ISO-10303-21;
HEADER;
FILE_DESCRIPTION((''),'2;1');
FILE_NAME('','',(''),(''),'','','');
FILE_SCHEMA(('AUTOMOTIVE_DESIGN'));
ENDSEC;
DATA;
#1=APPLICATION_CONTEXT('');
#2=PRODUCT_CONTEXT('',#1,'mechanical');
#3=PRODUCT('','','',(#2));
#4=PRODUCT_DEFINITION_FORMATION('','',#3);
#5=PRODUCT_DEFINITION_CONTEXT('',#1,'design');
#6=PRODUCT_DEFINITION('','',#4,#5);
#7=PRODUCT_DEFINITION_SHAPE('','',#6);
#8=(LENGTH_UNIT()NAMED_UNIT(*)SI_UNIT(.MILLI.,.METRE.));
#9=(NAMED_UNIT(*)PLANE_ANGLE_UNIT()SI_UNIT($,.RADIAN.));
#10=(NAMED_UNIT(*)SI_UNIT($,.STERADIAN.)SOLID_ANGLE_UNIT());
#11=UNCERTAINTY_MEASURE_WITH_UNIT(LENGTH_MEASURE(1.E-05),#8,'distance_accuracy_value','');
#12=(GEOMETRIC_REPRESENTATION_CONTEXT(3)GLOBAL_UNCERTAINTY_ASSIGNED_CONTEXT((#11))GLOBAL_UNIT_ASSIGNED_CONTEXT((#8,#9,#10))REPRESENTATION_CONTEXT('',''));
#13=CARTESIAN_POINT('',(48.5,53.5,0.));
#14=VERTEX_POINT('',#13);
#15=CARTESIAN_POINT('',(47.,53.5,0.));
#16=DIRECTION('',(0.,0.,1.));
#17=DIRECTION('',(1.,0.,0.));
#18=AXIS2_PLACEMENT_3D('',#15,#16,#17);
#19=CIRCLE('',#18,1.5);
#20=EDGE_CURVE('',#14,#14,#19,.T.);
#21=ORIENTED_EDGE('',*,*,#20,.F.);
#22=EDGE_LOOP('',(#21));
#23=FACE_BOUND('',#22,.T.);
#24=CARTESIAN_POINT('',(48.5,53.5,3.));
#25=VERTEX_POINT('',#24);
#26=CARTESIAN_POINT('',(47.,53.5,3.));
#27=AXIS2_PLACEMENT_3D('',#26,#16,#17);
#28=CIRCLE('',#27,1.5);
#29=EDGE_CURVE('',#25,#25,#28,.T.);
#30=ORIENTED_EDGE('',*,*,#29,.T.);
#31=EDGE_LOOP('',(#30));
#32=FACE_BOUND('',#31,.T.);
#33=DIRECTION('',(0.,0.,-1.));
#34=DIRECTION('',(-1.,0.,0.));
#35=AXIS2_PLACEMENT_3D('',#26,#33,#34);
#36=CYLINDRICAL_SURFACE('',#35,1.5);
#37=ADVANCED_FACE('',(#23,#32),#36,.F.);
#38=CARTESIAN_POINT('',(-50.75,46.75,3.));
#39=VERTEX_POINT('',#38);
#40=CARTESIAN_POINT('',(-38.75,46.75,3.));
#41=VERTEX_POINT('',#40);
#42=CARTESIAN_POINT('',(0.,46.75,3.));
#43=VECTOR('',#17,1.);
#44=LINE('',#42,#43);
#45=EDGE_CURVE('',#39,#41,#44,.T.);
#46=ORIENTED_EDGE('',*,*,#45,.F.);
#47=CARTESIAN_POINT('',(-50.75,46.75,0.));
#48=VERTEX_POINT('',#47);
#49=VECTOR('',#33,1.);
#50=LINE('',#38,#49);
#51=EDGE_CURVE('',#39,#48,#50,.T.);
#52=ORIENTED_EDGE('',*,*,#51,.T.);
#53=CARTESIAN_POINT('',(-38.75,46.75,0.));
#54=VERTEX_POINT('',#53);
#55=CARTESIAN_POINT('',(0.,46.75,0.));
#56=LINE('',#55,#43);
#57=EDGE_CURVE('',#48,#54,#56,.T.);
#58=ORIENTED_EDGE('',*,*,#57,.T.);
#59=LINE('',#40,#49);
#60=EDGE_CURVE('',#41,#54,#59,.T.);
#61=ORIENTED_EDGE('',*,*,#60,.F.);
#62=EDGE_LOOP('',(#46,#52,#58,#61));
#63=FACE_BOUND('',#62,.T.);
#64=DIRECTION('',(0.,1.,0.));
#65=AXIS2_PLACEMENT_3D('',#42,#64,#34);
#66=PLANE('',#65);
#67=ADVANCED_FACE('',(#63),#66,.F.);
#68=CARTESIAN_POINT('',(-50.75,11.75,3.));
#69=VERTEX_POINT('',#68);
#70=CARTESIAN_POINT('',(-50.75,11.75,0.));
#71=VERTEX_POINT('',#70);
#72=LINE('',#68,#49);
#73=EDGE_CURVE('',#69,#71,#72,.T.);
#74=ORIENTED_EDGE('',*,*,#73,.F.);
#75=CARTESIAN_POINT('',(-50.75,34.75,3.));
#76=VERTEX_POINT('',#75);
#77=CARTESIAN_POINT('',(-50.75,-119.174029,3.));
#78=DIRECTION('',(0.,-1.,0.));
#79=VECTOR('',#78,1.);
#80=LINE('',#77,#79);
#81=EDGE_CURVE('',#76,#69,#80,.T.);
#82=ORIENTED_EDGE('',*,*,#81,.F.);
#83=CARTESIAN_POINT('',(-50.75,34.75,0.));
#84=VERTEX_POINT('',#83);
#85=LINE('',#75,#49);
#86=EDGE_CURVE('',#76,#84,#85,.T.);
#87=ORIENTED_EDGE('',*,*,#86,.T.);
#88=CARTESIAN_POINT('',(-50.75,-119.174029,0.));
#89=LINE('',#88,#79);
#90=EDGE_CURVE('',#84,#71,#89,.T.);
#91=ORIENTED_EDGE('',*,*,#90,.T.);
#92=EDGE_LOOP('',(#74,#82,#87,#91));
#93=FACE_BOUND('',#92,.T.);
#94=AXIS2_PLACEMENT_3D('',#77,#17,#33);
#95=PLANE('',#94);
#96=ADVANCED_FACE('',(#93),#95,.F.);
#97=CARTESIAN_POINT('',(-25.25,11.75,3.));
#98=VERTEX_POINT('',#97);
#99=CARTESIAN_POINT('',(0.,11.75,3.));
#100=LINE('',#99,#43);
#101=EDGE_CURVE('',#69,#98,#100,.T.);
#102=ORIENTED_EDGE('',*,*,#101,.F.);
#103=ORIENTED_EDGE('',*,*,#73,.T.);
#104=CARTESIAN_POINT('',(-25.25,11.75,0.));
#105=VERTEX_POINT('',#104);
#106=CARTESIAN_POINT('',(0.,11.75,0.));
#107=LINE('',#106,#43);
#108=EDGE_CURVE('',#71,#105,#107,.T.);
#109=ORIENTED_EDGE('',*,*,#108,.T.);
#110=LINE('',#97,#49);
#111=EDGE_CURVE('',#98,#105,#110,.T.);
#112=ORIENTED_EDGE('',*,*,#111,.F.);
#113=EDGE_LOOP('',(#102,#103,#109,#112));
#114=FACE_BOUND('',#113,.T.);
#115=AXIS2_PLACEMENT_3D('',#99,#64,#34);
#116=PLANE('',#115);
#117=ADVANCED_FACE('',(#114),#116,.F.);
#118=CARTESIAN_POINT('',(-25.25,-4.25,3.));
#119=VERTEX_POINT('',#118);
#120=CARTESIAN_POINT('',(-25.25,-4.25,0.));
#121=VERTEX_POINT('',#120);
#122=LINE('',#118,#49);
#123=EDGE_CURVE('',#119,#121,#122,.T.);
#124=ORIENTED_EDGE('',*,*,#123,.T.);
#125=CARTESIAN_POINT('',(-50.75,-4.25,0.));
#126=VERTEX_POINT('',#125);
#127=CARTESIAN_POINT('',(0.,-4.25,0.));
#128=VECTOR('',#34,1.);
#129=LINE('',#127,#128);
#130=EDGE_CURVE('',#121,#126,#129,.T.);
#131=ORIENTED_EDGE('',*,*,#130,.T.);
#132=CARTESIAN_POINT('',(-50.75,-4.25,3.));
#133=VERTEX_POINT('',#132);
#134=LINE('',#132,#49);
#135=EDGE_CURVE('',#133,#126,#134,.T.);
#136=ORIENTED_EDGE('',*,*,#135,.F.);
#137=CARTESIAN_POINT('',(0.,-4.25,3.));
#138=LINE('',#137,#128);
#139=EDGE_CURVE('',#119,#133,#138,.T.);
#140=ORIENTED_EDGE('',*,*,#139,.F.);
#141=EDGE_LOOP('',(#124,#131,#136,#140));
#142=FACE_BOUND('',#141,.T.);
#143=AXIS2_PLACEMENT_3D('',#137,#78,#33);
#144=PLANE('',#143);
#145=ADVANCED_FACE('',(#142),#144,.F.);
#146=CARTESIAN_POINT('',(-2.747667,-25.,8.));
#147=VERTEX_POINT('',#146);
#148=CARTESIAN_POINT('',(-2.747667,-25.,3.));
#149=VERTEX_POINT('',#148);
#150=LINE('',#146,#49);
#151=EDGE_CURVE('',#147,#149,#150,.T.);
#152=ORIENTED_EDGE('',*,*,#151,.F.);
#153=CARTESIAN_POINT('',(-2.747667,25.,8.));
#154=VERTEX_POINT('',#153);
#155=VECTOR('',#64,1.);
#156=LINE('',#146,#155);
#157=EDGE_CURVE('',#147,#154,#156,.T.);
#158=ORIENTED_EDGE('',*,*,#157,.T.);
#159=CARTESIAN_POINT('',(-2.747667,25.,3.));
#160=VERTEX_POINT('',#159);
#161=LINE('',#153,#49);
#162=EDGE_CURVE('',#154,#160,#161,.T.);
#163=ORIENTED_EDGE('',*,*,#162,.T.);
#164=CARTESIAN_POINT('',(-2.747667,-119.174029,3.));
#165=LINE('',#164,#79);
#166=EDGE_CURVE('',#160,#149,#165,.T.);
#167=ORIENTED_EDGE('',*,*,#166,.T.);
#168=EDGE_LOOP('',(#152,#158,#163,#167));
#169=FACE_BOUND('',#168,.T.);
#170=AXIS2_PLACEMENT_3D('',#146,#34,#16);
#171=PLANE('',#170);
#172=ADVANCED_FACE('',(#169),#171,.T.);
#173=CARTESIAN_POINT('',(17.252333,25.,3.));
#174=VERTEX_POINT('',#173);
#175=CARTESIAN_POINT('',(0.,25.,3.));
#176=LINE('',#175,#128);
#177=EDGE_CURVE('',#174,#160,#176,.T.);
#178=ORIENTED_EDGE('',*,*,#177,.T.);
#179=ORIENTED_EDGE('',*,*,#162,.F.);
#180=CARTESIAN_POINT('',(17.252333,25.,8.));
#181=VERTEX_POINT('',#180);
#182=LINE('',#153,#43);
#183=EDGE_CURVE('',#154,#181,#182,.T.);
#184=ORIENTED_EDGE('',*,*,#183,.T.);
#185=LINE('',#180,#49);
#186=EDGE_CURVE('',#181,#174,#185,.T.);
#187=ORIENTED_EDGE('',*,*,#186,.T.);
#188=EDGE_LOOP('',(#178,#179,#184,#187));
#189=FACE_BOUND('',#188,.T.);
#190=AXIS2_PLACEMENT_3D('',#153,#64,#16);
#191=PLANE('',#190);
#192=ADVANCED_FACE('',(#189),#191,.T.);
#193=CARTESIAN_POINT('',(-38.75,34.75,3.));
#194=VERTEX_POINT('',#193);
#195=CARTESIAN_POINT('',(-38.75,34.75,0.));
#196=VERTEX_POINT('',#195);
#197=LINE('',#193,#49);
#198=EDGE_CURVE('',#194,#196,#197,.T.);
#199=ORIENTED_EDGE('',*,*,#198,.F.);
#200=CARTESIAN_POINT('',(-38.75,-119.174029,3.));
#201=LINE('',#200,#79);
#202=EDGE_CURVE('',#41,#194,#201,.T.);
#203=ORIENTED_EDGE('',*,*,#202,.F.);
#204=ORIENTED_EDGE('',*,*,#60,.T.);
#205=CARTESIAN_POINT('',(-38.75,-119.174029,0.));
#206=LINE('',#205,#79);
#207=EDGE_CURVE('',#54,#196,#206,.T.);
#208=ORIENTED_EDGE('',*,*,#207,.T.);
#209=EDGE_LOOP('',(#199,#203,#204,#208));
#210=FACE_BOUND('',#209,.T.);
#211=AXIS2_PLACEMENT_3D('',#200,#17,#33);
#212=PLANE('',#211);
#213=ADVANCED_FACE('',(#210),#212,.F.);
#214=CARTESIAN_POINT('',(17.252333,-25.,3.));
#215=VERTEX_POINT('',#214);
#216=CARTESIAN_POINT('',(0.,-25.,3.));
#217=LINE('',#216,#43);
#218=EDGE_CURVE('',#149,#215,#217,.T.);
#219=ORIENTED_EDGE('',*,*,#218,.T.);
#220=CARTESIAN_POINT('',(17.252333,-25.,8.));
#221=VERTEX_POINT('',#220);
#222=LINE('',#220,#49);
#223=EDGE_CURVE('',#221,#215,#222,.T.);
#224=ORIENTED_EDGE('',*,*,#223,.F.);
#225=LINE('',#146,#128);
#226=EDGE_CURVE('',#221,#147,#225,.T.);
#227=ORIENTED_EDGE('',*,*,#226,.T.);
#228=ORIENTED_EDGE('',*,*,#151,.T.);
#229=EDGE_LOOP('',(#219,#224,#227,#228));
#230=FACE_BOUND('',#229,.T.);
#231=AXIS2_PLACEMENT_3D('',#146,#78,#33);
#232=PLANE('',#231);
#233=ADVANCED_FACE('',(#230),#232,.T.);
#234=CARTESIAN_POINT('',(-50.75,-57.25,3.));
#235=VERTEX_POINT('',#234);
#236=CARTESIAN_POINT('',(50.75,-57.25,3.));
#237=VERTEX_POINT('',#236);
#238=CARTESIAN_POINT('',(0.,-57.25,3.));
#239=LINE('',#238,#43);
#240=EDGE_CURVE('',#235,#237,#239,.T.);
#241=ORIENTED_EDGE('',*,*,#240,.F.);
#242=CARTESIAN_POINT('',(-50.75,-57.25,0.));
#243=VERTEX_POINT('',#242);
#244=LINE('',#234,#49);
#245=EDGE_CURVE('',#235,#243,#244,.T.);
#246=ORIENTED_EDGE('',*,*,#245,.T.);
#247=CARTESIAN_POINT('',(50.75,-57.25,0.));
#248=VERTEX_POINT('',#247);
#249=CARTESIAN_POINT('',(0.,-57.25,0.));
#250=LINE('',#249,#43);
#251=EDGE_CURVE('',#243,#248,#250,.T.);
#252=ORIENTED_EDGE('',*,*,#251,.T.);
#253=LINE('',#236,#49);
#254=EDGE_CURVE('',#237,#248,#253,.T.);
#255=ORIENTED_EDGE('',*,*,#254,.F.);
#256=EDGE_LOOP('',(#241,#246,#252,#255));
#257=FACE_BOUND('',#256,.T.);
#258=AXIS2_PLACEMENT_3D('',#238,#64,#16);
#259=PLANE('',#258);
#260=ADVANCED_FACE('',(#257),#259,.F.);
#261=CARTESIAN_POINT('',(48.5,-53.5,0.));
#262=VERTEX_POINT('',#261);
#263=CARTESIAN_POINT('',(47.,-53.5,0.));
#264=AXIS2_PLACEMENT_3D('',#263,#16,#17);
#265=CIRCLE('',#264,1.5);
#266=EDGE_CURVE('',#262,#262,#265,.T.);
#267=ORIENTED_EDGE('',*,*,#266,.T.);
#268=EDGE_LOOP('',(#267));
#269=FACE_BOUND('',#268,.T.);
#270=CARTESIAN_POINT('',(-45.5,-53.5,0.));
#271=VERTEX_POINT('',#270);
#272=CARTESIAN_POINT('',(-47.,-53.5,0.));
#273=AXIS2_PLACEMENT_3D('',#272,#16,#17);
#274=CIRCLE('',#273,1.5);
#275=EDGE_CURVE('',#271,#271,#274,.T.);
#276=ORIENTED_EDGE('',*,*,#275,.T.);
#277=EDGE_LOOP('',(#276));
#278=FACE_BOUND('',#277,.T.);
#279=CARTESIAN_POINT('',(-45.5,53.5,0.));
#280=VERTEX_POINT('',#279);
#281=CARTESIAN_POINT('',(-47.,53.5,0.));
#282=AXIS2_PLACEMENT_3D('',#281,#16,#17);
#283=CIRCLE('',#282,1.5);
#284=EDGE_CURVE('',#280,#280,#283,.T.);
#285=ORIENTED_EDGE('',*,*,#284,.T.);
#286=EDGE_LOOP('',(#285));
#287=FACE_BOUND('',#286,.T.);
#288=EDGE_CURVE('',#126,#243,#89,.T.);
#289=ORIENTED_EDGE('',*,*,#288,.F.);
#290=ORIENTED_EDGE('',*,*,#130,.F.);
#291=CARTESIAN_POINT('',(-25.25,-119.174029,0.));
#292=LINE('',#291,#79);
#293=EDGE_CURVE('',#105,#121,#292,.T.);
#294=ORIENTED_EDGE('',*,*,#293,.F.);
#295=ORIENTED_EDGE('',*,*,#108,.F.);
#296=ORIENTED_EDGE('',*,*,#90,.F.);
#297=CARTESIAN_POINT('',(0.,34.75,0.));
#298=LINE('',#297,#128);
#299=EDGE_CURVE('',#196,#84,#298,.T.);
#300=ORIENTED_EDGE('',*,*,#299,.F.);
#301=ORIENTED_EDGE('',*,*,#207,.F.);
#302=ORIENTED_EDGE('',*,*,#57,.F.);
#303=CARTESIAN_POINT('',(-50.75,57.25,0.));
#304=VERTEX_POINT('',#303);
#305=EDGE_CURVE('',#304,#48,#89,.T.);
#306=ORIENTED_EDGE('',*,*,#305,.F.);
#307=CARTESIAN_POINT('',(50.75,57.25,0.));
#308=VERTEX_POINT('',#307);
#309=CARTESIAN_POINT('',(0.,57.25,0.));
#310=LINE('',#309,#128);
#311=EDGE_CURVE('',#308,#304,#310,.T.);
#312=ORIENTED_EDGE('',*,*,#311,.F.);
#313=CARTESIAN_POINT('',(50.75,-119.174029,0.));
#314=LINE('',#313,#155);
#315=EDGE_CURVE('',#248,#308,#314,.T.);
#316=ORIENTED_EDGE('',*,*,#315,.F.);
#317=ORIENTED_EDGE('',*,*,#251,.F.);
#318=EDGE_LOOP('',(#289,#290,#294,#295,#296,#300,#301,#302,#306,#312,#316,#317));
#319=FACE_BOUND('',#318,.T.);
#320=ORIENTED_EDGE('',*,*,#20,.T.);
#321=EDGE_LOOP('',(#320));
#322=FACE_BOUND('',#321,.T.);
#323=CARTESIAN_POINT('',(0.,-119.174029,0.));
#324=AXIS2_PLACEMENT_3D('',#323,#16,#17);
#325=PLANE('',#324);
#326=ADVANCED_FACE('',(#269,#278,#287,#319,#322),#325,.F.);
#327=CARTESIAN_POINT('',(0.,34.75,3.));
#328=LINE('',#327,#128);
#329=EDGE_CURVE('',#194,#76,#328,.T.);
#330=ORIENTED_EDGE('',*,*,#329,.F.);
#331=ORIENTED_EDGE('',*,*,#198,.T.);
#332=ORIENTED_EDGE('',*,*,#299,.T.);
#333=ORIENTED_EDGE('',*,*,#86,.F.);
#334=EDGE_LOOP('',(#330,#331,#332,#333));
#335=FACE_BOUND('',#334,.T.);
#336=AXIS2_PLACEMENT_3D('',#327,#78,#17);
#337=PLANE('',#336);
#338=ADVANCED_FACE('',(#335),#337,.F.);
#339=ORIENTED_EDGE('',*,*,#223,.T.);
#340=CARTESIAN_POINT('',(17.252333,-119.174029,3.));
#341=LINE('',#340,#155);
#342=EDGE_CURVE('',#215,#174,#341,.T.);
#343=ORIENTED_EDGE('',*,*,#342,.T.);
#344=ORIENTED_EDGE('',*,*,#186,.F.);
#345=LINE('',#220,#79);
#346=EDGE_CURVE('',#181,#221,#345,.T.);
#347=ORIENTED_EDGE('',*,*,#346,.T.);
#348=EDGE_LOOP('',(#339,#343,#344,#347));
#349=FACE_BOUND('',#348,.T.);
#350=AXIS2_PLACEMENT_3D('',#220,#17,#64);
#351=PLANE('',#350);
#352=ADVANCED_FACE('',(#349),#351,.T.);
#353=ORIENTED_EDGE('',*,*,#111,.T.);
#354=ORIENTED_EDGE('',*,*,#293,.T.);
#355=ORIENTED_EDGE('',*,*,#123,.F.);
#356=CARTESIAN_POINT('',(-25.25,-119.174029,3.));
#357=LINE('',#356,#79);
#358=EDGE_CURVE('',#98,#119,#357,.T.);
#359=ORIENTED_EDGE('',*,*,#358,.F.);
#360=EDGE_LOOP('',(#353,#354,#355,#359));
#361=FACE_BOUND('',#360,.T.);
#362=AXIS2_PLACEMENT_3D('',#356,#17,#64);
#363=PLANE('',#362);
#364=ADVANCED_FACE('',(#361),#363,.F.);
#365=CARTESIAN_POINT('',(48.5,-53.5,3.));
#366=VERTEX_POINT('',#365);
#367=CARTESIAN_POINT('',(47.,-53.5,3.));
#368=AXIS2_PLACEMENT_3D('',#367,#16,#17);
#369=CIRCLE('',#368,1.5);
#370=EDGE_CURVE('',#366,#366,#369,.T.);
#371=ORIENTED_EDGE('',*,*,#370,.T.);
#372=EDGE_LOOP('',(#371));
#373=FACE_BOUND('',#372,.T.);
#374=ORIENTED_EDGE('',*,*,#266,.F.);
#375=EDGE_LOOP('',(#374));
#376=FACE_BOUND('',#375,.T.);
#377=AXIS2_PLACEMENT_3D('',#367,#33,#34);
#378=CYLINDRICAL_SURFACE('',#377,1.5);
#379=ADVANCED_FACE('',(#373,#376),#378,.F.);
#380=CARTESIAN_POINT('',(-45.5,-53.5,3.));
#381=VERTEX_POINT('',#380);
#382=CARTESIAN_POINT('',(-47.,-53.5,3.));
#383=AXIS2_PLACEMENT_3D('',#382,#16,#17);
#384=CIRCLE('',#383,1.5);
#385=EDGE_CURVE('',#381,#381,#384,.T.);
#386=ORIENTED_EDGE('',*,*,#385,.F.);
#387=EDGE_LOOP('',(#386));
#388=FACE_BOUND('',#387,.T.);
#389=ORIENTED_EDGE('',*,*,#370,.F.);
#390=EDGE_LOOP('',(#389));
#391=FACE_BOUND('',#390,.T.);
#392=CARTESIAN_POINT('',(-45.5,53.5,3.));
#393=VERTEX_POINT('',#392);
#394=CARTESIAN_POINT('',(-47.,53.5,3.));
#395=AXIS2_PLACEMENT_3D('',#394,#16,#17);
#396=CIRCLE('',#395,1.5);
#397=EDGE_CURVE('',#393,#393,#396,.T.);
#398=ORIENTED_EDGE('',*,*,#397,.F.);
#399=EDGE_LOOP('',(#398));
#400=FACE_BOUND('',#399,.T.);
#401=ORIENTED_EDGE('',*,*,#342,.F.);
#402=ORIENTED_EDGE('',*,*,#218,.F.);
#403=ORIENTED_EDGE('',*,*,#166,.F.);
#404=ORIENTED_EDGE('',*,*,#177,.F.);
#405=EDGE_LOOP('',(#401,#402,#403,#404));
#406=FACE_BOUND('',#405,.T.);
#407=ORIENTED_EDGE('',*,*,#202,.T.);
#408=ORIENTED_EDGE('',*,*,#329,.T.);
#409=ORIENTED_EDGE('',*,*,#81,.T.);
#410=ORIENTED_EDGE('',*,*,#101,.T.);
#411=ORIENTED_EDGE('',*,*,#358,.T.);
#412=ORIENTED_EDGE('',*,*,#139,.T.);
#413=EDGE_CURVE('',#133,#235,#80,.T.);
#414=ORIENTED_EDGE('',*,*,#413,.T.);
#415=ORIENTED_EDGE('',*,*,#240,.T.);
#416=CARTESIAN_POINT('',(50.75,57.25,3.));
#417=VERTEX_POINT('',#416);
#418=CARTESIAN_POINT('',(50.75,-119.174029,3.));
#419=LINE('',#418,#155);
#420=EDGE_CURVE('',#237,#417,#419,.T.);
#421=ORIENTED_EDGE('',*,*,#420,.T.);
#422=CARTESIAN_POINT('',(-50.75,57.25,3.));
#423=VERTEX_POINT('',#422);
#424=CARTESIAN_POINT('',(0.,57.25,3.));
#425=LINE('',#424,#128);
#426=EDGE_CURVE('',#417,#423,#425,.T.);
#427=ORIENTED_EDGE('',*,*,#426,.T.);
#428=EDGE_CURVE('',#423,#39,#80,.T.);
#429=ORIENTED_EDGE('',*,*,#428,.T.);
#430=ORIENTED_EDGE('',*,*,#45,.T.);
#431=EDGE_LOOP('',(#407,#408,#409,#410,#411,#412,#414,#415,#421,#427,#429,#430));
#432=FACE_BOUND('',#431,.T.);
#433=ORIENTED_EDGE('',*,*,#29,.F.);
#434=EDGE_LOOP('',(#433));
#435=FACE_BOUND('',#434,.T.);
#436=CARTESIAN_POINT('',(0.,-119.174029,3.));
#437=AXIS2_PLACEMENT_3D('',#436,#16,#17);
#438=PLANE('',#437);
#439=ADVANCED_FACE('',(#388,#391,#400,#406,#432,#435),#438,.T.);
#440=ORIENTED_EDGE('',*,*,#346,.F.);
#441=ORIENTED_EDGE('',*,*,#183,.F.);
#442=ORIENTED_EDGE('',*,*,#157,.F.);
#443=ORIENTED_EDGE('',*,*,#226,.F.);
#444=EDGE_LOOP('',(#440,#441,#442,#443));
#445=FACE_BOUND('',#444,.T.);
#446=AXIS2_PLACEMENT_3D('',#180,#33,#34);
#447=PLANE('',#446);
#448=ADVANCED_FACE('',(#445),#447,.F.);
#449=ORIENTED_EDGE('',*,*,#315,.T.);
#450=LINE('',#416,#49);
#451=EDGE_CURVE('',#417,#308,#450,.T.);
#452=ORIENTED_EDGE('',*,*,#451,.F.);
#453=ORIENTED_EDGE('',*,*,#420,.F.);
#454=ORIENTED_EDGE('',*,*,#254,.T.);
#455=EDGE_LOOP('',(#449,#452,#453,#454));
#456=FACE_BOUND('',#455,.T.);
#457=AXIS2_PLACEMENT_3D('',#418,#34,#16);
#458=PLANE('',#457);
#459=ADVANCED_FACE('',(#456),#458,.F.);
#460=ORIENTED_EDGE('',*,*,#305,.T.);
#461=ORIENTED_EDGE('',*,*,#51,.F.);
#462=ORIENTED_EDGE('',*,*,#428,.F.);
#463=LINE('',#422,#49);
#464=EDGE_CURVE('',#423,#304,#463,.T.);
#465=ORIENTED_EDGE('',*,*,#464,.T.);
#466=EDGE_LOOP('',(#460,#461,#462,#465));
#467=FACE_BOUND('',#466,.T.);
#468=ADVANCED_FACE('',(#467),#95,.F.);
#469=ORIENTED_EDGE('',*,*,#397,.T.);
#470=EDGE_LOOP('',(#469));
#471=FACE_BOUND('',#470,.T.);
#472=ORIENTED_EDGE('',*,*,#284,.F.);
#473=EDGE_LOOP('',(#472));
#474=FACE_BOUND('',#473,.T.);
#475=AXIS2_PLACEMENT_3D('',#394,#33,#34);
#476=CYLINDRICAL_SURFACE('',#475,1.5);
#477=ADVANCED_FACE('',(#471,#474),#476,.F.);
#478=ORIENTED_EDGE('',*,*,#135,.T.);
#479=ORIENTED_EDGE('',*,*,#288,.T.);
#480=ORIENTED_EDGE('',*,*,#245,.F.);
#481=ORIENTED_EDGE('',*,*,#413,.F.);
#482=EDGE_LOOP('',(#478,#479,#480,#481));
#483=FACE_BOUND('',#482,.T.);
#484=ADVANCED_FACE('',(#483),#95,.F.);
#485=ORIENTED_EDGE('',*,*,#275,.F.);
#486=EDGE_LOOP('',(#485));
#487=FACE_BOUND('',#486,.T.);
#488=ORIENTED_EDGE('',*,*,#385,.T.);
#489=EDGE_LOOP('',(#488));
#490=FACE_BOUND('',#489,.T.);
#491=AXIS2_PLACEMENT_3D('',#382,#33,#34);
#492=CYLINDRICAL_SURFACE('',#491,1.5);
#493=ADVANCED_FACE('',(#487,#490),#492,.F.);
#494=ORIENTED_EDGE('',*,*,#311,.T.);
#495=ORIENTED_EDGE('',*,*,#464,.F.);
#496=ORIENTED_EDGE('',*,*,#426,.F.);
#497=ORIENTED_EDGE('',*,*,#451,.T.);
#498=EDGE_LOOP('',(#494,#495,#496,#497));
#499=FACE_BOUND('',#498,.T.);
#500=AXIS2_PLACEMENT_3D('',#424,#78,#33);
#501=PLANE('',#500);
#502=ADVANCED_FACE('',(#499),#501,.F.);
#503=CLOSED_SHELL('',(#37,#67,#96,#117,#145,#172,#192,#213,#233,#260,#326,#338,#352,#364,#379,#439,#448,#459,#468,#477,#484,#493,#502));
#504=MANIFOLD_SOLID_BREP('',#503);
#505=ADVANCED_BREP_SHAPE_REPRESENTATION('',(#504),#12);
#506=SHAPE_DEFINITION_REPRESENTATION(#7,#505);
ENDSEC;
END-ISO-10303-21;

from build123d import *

# Parameters (mm, degrees)
SKETCH1_R           = 1.5
BOSS_EXTRUDE1_DEPTH = 3
SKETCH2_W           = 20
SKETCH2_H           = 50
BOSS_EXTRUDE2_DEPTH = 8


with BuildPart() as part:
    # Sketch1 → Boss-Extrude1 (new body)
    with BuildSketch(Plane(origin=(0, 0, 0), x_dir=(-1, 0, 0), z_dir=(0, 0, 1))):
        Polygon((50.75, 10.25), (50.75, 48.25), (50.75, 57.25), (-50.75, 57.25), (-50.75, -14.25), (-50.75, -41.25), (-50.75, -57.25), (-43.25, -57.25), (29.75, -57.25), (50.75, -57.25), (50.75, -46.75), (38.75, -46.75), (38.75, -34.75), (50.75, -34.75), (50.75, -29.75), (50.75, -20.75), (50.75, -11.75), (25.25, -11.75), (25.25, 4.25), (50.75, 4.25), align=None)
        with Locations(Location((-47, -53.5, 0), (0, 0, 180))):
            Circle(SKETCH1_R, mode=Mode.SUBTRACT)
        with Locations(Location((-47, 53.5, 0), (0, 0, 180))):
            Circle(SKETCH1_R, mode=Mode.SUBTRACT)
        with Locations(Location((47, 53.5, 0), (0, 0, 180))):
            Circle(SKETCH1_R, mode=Mode.SUBTRACT)
        with Locations(Location((47, -53.5, 0), (0, 0, 180))):
            Circle(SKETCH1_R, mode=Mode.SUBTRACT)
    extrude(amount=BOSS_EXTRUDE1_DEPTH)

    # Sketch2 → Boss-Extrude2 (add)
    with BuildSketch(Plane(origin=(0, 0, 0), x_dir=(-1, 0, 0), z_dir=(0, 0, -1))):
        with Locations((-7.252332969, 0)):
            Rectangle(SKETCH2_W, SKETCH2_H)
    extrude(amount=-BOSS_EXTRUDE2_DEPTH)


solid = part.part
